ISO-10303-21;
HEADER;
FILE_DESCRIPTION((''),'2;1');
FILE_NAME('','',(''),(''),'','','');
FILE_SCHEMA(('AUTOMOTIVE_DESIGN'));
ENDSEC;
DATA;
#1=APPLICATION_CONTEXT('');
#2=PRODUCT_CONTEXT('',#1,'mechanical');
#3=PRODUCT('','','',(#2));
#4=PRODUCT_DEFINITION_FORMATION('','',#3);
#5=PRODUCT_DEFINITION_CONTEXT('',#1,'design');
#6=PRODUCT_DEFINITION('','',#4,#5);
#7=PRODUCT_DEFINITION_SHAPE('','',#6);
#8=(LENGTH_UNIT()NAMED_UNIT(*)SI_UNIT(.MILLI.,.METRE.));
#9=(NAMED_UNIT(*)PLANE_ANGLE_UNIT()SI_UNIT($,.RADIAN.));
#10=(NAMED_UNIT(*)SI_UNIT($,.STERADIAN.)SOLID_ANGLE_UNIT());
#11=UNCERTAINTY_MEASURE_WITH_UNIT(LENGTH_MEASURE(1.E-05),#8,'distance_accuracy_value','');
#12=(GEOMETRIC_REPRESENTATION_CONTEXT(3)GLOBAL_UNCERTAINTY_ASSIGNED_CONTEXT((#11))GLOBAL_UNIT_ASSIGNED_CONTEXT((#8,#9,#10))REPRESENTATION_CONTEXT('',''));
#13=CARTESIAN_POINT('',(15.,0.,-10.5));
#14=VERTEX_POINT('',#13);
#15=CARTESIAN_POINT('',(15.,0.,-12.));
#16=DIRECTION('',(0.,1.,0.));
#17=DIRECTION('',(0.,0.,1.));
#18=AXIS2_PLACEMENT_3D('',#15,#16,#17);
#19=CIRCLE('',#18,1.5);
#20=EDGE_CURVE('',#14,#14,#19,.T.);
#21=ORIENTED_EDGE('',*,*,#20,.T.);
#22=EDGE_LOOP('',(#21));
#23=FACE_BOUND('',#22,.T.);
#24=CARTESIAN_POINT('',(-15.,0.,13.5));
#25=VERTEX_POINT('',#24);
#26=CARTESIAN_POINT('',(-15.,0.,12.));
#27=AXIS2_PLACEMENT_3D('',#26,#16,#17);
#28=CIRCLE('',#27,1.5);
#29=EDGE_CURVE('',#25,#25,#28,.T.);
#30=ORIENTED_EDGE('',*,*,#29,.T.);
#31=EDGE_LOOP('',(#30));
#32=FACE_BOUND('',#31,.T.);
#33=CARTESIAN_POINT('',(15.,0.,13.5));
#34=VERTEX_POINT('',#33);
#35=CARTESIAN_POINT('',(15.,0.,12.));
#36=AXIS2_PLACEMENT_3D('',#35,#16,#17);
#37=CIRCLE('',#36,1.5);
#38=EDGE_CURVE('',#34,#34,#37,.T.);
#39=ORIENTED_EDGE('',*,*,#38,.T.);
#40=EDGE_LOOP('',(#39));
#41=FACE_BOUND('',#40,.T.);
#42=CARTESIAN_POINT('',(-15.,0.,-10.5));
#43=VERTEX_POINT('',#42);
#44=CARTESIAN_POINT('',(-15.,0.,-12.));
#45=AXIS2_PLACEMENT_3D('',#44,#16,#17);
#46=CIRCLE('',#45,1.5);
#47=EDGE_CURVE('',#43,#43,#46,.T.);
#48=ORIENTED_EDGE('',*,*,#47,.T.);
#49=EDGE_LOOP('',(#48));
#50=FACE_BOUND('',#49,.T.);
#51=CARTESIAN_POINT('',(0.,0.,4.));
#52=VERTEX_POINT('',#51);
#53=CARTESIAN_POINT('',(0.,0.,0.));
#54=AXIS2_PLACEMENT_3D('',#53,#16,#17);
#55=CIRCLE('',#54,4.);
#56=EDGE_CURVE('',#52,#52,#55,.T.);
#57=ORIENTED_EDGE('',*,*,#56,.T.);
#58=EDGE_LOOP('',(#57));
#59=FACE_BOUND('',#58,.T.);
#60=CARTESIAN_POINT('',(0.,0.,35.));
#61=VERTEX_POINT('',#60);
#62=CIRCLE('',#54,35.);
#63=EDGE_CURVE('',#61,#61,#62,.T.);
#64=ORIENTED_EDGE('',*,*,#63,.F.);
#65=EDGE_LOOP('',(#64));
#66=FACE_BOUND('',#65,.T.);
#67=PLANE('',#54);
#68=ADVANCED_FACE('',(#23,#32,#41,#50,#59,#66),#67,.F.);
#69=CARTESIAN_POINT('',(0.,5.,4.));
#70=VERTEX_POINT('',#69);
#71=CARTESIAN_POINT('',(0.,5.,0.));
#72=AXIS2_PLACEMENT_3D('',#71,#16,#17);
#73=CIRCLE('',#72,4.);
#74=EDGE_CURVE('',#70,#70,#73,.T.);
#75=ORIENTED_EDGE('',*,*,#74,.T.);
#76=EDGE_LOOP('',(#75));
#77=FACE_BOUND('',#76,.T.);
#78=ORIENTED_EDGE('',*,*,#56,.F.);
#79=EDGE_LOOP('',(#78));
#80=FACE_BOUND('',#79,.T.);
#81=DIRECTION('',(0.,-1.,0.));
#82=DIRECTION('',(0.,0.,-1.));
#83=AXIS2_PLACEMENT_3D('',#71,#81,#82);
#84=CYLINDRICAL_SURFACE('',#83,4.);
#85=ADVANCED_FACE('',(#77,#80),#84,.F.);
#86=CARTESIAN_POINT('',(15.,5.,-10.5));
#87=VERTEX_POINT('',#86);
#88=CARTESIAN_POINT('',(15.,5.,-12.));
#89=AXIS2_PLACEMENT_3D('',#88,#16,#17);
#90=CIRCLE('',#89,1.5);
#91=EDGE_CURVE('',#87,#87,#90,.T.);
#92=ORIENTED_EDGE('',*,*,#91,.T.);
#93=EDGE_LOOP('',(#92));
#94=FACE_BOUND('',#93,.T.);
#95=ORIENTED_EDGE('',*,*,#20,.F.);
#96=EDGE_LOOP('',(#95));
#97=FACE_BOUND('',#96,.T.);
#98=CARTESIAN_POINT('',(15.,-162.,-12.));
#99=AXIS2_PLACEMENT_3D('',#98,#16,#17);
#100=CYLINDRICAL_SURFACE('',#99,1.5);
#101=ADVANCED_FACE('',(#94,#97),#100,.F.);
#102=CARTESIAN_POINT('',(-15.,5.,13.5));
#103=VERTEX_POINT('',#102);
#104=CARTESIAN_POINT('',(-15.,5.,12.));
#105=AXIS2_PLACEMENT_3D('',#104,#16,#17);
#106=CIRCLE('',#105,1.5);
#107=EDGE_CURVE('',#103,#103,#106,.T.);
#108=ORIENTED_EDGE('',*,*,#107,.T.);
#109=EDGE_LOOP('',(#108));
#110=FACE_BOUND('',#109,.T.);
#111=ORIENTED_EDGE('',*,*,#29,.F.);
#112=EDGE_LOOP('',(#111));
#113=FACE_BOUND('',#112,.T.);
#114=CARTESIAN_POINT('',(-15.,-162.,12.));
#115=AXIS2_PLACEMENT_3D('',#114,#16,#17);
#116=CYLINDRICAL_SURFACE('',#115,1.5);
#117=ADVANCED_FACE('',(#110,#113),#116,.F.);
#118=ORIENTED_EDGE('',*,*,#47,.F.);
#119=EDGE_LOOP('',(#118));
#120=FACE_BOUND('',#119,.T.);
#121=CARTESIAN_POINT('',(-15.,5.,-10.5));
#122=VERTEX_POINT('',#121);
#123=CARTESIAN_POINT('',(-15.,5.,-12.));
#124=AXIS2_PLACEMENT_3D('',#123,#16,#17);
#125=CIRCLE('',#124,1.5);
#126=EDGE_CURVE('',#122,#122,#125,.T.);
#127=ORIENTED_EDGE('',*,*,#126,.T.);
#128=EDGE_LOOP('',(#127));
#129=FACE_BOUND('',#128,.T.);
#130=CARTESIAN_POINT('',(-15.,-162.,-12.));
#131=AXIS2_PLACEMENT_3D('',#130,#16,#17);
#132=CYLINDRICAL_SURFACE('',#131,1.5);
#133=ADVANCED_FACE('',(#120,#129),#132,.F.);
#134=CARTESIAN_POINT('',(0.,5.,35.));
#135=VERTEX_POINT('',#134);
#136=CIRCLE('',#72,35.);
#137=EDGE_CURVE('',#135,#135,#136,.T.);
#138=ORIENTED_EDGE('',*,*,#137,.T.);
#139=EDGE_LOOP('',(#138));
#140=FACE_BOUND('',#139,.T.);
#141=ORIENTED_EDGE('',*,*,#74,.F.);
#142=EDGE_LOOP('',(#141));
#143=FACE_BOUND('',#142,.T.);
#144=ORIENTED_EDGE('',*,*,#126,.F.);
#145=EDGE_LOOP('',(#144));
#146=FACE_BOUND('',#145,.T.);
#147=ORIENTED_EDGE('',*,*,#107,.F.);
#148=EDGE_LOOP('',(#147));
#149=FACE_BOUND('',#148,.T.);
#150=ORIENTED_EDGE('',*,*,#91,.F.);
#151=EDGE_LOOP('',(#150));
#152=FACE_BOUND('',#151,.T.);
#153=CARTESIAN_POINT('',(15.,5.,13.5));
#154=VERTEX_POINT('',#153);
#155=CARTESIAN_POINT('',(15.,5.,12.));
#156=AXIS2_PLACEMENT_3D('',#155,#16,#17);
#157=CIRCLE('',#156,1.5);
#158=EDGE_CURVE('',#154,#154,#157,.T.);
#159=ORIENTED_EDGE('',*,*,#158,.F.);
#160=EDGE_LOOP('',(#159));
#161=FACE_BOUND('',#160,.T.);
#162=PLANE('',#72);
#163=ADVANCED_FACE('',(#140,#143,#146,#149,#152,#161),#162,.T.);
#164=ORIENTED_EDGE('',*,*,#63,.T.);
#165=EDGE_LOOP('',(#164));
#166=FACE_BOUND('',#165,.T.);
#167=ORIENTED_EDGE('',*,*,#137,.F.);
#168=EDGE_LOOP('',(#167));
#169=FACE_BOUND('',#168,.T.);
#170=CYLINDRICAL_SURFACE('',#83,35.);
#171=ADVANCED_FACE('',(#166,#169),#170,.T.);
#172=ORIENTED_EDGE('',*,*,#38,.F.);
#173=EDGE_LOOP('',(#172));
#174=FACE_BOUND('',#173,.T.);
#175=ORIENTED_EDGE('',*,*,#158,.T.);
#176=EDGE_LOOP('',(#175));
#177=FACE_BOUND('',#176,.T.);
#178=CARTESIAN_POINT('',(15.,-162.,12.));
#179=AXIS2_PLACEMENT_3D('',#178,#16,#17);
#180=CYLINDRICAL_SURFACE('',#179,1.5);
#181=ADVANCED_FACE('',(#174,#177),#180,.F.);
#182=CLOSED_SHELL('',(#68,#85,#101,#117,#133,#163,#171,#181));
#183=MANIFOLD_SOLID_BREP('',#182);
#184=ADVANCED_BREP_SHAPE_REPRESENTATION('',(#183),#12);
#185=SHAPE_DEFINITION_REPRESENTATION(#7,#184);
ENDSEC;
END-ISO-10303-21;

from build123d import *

# Parameters (mm, degrees)
SKETCH1_R           = 35
SKETCH1_R_2         = 4
BOSS_EXTRUDE1_DEPTH = 5
CUT_EXTRUDE1_DEPTH  = 167


with BuildPart() as part:
    # Sketch1 → Boss-Extrude1 (new body)
    with BuildSketch(Plane(origin=(0, 0, 0), x_dir=(1, 0, 0), z_dir=(0, 1, 0))):
        with Locations(Location((0, 0, 0), (0, 0, 270))):
            Circle(SKETCH1_R)
        with Locations(Location((0, 0, 0), (0, 0, 270))):
            Circle(SKETCH1_R_2, mode=Mode.SUBTRACT)
    extrude(amount=BOSS_EXTRUDE1_DEPTH)

    # Sketch2 → Cut-Extrude1 (cut)
    with BuildSketch(Plane(origin=(0, 5, 0), x_dir=(1, 0, 0), z_dir=(0, 1, 0))):
        with BuildLine():
            Line((-15, -12), (-15, -10.5))
            ThreePointArc((-15, -10.5), (-16.060660172, -13.060660172), (-13.5, -12))
            Line((-13.5, -12), (-15, -12))
        make_face()
        with BuildLine():
            ThreePointArc((-13.828696786, -11.062957429), (-14.350216904, -10.648045146), (-15, -10.5))
            Line((-15, -10.5), (-15, -12))
            Line((-15, -12), (-13.828696786, -11.062957429))
        make_face()
        with BuildLine():
            ThreePointArc((-13.5, -12), (-13.584557521, -11.503489588), (-13.828696786, -11.062957429))
            Line((-13.828696786, -11.062957429), (-15, -12))
            Line((-15, -12), (-13.5, -12))
        make_face()
        with BuildLine():
            Line((-15, 10.5), (-15, 12))
            Line((-15, 12), (-13.5, 12))
            ThreePointArc((-13.5, 12), (-16.060660172, 13.060660172), (-15, 10.5))
        make_face()
        with BuildLine():
            Line((-13.5, 12), (-15, 12))
            Line((-15, 12), (-13.828696786, 11.062957429))
            ThreePointArc((-13.828696786, 11.062957429), (-13.584557521, 11.503489588), (-13.5, 12))
        make_face()
        with BuildLine():
            Line((-13.828696786, 11.062957429), (-15, 12))
            Line((-15, 12), (-15, 10.5))
            ThreePointArc((-15, 10.5), (-14.350216904, 10.648045146), (-13.828696786, 11.062957429))
        make_face()
        with BuildLine():
            ThreePointArc((16.5, 12), (15, 13.5), (13.5, 12))
            Line((13.5, 12), (15, 12))
            Line((15, 12), (15, 10.5))
            ThreePointArc((15, 10.5), (16.060660172, 10.939339828), (16.5, 12))
        make_face()
        with BuildLine():
            Line((15, 12), (13.828696786, 11.062957429))
            ThreePointArc((13.828696786, 11.062957429), (14.350216904, 10.648045146), (15, 10.5))
            Line((15, 10.5), (15, 12))
        make_face()
        with BuildLine():
            Line((15, 12), (13.5, 12))
            ThreePointArc((13.5, 12), (13.584557521, 11.503489588), (13.828696786, 11.062957429))
            Line((13.828696786, 11.062957429), (15, 12))
        make_face()
        with BuildLine():
            Line((15, -10.5), (15, -12))
            Line((15, -12), (13.5, -12))
            ThreePointArc((13.5, -12), (15, -13.5), (16.5, -12))
            ThreePointArc((16.5, -12), (16.060660172, -10.939339828), (15, -10.5))
        make_face()
        with BuildLine():
            Line((15, -12), (13.828696786, -11.062957429))
            ThreePointArc((13.828696786, -11.062957429), (13.584557521, -11.503489588), (13.5, -12))
            Line((13.5, -12), (15, -12))
        make_face()
        with BuildLine():
            ThreePointArc((15, -10.5), (14.350216904, -10.648045146), (13.828696786, -11.062957429))
            Line((13.828696786, -11.062957429), (15, -12))
            Line((15, -12), (15, -10.5))
        make_face()
    extrude(amount=-CUT_EXTRUDE1_DEPTH, mode=Mode.SUBTRACT)


solid = part.part
